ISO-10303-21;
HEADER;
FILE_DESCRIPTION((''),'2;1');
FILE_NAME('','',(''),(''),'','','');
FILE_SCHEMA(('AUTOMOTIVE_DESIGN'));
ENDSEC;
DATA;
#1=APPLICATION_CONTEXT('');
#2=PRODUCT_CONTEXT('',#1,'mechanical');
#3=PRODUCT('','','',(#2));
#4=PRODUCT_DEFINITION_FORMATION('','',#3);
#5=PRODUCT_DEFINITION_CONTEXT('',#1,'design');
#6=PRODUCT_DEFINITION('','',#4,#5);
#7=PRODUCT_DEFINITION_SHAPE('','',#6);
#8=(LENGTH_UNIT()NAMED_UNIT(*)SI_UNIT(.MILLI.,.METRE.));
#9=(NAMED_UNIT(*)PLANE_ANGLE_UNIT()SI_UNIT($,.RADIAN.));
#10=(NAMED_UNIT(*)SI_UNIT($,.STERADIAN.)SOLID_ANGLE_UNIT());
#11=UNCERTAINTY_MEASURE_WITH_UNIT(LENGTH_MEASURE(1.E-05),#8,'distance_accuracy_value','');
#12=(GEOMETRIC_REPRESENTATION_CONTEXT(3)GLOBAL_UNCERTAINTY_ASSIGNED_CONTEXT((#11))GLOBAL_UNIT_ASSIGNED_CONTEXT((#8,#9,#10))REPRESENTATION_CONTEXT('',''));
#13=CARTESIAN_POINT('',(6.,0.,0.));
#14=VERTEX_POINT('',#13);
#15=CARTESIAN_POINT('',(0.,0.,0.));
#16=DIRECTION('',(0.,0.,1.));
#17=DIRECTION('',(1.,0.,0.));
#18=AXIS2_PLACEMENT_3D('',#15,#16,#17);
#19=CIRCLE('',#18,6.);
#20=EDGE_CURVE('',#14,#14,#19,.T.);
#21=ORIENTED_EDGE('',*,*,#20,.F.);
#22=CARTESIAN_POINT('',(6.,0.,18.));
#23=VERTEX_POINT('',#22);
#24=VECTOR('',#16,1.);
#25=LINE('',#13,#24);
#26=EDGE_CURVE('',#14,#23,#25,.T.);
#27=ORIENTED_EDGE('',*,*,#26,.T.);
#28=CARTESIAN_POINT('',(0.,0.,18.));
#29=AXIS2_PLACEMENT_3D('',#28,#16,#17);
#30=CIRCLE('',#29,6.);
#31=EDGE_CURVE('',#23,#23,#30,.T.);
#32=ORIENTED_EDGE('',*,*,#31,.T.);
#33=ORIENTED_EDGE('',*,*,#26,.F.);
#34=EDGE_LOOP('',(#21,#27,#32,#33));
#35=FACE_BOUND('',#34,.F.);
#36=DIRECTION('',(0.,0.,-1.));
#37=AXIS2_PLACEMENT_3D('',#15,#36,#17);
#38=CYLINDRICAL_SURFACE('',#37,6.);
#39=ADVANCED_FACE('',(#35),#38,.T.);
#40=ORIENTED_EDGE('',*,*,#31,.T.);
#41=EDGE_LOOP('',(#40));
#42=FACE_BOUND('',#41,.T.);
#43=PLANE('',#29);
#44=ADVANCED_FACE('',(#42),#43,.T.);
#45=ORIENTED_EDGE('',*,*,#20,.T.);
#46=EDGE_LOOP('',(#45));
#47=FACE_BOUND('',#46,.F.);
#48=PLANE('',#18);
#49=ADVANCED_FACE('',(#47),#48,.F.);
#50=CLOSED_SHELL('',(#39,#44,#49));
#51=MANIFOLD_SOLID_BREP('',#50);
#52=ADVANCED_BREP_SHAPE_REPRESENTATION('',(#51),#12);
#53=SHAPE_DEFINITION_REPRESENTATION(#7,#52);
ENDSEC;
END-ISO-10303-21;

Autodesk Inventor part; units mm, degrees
ref_plane "YZ Plane" through (0, 0, 0) normal (1, 0, 0) x (0, 1, 0)
ref_plane "XZ Plane" through (0, 0, 0) normal (0, 1, 0) x (-1, 0, 0)
ref_plane "XY Plane" through (0, 0, 0) normal (0, 0, 1) x (1, 0, 0)
sketch "Skizze1" plane through (0, 0, 0) normal (0, 0, 1) x (1, 0, 0)
  circle A0 centre (0, 0) radius 6
  dimension "d0" = 18
extrude "Extrusion1" add sketch "Skizze1" along normal blind 18
properties part number "Kupplung_ph"
